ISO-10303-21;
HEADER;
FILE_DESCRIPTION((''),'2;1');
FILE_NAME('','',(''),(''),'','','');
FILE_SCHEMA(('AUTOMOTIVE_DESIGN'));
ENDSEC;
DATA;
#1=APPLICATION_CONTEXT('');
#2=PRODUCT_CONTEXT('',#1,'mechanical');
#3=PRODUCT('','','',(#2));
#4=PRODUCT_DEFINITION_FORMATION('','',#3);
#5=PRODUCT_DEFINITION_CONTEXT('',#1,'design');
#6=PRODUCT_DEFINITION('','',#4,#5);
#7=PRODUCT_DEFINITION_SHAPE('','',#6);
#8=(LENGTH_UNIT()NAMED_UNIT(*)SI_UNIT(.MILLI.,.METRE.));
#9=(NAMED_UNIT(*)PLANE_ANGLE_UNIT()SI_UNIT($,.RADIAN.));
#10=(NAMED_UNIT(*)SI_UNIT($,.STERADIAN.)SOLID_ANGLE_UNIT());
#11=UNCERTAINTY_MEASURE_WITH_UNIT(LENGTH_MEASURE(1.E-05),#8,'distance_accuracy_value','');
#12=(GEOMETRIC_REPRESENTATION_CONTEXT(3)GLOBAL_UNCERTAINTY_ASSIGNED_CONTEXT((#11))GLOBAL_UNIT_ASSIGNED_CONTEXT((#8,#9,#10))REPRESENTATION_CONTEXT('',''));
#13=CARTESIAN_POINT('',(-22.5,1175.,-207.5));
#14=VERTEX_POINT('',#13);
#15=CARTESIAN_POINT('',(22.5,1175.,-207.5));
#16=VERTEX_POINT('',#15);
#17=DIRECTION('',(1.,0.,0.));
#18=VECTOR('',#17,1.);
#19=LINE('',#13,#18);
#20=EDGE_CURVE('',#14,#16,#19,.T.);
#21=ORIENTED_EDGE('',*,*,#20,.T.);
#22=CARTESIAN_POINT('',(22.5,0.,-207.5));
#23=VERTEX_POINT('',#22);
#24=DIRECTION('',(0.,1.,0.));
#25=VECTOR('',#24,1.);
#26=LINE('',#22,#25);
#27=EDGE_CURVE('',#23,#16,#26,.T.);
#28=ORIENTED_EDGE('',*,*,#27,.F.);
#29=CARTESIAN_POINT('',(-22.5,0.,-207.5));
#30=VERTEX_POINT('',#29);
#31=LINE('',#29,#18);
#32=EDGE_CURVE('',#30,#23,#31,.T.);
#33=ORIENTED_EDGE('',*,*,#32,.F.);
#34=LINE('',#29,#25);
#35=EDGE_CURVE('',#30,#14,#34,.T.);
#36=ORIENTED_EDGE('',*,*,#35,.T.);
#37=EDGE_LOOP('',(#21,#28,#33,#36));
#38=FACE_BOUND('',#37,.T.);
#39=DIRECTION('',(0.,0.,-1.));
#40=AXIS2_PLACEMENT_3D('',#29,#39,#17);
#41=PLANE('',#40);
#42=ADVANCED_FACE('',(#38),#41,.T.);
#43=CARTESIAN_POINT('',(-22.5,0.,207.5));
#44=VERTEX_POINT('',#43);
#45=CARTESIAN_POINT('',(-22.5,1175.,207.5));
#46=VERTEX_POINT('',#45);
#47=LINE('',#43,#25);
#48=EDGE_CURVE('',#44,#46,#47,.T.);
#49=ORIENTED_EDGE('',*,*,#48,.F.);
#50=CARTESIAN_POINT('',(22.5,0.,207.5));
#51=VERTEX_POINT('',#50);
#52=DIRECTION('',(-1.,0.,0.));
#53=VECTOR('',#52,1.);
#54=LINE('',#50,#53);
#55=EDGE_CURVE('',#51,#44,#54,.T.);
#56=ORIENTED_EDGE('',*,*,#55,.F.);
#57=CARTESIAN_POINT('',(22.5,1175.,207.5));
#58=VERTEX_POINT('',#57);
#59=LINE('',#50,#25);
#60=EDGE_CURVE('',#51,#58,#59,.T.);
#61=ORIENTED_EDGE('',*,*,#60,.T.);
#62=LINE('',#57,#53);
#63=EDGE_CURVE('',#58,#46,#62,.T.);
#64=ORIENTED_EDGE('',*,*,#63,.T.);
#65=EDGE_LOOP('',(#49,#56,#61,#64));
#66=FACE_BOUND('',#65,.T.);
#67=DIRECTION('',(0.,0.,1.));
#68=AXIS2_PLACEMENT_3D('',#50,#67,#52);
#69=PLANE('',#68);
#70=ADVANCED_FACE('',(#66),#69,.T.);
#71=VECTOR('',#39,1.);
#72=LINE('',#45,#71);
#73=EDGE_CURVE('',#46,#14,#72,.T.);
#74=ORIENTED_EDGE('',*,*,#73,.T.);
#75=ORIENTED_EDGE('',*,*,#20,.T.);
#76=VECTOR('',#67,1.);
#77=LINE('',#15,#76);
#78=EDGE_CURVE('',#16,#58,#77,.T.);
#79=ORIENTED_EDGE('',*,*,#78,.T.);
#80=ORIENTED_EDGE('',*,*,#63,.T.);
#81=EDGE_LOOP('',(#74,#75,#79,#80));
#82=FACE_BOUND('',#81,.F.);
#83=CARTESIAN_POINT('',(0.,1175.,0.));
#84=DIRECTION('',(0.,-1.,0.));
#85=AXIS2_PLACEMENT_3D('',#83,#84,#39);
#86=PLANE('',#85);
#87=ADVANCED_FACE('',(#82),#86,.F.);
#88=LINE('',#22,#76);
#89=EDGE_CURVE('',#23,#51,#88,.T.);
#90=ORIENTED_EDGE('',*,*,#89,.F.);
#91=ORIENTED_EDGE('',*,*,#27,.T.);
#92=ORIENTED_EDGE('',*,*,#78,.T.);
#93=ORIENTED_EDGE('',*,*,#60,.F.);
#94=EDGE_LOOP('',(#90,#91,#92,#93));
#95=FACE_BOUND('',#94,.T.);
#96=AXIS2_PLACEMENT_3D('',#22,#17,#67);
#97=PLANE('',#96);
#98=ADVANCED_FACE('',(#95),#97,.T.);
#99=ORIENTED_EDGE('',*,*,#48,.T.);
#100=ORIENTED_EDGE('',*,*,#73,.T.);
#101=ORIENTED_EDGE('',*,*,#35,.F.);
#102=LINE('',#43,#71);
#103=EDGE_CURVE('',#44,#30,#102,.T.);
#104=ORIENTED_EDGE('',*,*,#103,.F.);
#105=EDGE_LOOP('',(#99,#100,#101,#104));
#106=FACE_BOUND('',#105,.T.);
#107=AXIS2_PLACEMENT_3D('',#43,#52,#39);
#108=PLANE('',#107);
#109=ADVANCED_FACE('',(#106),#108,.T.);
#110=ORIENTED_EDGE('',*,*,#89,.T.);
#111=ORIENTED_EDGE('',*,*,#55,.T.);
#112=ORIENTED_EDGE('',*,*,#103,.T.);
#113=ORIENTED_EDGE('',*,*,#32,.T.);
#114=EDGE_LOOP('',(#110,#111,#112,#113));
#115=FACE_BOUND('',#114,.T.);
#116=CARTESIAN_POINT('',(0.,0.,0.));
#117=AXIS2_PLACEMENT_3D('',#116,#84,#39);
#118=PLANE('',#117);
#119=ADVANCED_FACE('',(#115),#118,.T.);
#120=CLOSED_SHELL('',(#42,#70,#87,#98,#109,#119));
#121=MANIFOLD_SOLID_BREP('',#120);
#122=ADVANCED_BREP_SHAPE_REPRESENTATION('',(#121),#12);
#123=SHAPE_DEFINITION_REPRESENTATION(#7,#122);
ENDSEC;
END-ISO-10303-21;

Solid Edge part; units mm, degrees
sketch "Sketch1" plane through (0, 0, 0) normal (0, -1, 0) x (1, 0, 0)
  line L0 (-22.5, -207.5) -> (22.5, -207.5)
  line L1 (22.5, -207.5) -> (22.5, 207.5)
  line L2 (22.5, 207.5) -> (-22.5, 207.5)
  line L3 (-22.5, 207.5) -> (-22.5, -207.5)
extrude "Protrusion1" add sketch "Sketch1" against normal blind 1175
